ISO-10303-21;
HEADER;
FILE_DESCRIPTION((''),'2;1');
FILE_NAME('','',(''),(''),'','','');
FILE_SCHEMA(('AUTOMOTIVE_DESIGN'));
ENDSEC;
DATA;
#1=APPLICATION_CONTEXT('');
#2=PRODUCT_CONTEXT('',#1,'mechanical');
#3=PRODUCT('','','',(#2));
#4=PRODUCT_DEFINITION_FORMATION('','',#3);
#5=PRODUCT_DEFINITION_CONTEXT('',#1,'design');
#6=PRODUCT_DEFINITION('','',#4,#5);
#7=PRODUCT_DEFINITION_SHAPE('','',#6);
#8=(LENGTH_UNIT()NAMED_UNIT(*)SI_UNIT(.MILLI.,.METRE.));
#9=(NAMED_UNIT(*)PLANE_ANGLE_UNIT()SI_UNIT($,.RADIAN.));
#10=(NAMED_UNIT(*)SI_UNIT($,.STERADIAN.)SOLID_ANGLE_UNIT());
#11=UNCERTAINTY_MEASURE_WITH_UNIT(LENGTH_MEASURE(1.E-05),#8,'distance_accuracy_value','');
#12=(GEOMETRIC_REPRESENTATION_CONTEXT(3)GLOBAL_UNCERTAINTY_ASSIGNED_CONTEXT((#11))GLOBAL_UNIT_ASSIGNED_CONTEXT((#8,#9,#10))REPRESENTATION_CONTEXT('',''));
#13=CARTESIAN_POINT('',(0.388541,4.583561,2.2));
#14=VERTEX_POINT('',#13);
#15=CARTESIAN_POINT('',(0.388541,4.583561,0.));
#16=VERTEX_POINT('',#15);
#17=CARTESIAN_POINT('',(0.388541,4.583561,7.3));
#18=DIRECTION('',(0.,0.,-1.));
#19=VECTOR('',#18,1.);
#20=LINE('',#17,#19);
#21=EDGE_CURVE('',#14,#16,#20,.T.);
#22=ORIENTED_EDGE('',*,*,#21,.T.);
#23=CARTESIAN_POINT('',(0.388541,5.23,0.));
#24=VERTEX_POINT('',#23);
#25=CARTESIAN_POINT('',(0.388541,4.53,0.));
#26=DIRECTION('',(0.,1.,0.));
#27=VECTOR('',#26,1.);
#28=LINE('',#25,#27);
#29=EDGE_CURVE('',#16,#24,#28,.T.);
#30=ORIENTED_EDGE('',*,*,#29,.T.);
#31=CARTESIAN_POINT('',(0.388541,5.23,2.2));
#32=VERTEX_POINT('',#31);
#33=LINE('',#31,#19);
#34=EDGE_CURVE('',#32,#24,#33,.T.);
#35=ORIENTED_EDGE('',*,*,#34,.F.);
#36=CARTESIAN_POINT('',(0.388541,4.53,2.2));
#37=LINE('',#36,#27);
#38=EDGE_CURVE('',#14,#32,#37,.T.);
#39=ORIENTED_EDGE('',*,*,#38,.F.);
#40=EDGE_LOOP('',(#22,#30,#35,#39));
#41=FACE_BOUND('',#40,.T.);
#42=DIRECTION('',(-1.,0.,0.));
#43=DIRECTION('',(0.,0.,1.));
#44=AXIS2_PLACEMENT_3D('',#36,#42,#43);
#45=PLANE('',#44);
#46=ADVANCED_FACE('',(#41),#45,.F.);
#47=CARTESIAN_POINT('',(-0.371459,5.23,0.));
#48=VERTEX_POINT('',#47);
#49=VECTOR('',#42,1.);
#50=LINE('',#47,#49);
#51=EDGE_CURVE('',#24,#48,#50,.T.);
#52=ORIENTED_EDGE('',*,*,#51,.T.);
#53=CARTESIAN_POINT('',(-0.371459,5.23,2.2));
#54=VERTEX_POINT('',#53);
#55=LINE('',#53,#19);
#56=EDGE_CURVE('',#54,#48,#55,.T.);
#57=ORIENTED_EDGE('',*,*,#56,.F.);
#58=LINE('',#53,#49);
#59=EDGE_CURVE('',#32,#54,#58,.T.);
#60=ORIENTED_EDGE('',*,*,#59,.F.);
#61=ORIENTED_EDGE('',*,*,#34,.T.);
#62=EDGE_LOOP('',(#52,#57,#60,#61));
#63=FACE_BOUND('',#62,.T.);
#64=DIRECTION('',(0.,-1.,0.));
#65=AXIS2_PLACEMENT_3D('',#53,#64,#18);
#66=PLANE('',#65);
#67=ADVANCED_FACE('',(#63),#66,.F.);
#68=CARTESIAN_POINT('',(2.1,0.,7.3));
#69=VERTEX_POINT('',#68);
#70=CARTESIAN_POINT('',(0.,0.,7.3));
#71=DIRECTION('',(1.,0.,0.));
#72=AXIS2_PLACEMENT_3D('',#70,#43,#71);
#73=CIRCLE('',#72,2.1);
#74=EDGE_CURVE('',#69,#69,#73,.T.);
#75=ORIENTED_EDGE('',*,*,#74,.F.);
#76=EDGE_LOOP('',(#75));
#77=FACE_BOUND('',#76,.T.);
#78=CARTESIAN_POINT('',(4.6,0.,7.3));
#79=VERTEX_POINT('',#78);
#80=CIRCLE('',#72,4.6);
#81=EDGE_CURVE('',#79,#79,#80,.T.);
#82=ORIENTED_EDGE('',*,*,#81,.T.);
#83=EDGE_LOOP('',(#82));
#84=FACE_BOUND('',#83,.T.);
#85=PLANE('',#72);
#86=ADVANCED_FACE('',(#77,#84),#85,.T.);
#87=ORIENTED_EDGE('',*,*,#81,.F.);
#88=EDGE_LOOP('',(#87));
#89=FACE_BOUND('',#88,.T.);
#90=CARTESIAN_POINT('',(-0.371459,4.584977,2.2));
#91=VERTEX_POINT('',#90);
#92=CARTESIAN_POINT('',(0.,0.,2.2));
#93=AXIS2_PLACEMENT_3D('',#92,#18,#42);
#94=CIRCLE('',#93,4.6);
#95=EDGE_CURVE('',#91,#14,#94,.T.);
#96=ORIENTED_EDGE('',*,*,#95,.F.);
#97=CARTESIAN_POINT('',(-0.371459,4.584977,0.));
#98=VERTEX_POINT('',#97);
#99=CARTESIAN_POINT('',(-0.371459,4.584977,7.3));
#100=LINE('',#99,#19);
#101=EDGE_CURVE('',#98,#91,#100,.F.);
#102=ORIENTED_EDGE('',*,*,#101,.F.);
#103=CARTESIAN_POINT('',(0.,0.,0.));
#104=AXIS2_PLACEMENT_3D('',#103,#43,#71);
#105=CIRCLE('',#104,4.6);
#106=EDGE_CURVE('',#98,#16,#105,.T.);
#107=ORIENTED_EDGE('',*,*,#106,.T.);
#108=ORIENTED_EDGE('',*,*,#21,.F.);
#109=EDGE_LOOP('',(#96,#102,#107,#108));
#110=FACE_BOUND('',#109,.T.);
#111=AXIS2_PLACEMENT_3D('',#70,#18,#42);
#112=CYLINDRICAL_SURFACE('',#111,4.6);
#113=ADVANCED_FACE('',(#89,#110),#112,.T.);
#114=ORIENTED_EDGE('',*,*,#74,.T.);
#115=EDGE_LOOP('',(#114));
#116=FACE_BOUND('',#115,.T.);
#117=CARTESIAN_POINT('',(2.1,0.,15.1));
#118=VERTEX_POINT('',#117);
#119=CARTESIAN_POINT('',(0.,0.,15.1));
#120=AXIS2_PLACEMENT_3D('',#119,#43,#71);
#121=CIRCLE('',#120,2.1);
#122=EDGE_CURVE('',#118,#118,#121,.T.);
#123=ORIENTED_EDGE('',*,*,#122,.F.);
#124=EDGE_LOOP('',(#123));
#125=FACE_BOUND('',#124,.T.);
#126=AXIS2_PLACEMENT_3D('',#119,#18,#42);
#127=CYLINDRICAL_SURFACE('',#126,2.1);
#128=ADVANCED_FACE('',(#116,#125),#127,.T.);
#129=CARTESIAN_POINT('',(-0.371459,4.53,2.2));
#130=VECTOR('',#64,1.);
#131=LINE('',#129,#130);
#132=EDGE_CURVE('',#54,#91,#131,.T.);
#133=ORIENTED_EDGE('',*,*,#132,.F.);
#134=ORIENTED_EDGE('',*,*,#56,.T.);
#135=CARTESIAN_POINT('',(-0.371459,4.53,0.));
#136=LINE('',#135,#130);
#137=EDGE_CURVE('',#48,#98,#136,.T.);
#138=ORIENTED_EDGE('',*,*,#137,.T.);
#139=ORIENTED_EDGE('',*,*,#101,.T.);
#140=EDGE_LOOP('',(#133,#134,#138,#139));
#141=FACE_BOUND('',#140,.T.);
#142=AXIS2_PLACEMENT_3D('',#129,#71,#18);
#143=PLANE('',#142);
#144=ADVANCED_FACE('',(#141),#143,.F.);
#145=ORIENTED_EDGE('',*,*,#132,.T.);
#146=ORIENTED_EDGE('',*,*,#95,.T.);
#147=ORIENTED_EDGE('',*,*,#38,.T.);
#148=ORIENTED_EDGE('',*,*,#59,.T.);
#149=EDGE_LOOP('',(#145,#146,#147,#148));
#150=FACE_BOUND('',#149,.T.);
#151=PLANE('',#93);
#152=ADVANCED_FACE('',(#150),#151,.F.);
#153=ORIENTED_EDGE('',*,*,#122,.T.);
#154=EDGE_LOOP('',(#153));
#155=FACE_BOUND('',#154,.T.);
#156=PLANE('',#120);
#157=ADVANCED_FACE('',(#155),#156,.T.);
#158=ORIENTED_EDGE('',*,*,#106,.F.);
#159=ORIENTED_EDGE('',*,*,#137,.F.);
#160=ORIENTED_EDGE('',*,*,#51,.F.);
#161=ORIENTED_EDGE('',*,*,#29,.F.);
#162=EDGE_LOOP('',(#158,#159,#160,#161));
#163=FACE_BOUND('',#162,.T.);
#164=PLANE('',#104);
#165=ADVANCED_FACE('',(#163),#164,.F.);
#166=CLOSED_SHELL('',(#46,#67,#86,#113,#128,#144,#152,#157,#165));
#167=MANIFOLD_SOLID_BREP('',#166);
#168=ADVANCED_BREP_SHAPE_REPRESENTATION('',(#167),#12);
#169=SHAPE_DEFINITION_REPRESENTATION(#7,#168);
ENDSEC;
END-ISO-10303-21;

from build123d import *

# Parameters (mm, degrees)
SKETCH1_R           = 4.6
BOSS_EXTRUDE1_DEPTH = 7.3
SKETCH2_R           = 2.1
BOSS_EXTRUDE2_DEPTH = 7.8
BOSS_EXTRUDE3_START = -7.3
SKETCH3_W           = 0.76
SKETCH3_H           = 0.7
BOSS_EXTRUDE3_DEPTH = 2.2


with BuildPart() as part:
    # Sketch1 → Boss-Extrude1 (new body)
    with BuildSketch(Plane.XY):
        Circle(SKETCH1_R)
    extrude(amount=BOSS_EXTRUDE1_DEPTH)

    # Sketch2 → Boss-Extrude2 (add)
    with BuildSketch(Plane.XY.offset(7.3)):
        Circle(SKETCH2_R)
    extrude(amount=BOSS_EXTRUDE2_DEPTH)

    # Sketch3 → Boss-Extrude3 (add)
    with BuildSketch(Plane.XY.offset(7.3).offset(BOSS_EXTRUDE3_START)):
        with Locations((0.008541009, 4.88)):
            Rectangle(SKETCH3_W, SKETCH3_H)
    extrude(amount=BOSS_EXTRUDE3_DEPTH)


solid = part.part
